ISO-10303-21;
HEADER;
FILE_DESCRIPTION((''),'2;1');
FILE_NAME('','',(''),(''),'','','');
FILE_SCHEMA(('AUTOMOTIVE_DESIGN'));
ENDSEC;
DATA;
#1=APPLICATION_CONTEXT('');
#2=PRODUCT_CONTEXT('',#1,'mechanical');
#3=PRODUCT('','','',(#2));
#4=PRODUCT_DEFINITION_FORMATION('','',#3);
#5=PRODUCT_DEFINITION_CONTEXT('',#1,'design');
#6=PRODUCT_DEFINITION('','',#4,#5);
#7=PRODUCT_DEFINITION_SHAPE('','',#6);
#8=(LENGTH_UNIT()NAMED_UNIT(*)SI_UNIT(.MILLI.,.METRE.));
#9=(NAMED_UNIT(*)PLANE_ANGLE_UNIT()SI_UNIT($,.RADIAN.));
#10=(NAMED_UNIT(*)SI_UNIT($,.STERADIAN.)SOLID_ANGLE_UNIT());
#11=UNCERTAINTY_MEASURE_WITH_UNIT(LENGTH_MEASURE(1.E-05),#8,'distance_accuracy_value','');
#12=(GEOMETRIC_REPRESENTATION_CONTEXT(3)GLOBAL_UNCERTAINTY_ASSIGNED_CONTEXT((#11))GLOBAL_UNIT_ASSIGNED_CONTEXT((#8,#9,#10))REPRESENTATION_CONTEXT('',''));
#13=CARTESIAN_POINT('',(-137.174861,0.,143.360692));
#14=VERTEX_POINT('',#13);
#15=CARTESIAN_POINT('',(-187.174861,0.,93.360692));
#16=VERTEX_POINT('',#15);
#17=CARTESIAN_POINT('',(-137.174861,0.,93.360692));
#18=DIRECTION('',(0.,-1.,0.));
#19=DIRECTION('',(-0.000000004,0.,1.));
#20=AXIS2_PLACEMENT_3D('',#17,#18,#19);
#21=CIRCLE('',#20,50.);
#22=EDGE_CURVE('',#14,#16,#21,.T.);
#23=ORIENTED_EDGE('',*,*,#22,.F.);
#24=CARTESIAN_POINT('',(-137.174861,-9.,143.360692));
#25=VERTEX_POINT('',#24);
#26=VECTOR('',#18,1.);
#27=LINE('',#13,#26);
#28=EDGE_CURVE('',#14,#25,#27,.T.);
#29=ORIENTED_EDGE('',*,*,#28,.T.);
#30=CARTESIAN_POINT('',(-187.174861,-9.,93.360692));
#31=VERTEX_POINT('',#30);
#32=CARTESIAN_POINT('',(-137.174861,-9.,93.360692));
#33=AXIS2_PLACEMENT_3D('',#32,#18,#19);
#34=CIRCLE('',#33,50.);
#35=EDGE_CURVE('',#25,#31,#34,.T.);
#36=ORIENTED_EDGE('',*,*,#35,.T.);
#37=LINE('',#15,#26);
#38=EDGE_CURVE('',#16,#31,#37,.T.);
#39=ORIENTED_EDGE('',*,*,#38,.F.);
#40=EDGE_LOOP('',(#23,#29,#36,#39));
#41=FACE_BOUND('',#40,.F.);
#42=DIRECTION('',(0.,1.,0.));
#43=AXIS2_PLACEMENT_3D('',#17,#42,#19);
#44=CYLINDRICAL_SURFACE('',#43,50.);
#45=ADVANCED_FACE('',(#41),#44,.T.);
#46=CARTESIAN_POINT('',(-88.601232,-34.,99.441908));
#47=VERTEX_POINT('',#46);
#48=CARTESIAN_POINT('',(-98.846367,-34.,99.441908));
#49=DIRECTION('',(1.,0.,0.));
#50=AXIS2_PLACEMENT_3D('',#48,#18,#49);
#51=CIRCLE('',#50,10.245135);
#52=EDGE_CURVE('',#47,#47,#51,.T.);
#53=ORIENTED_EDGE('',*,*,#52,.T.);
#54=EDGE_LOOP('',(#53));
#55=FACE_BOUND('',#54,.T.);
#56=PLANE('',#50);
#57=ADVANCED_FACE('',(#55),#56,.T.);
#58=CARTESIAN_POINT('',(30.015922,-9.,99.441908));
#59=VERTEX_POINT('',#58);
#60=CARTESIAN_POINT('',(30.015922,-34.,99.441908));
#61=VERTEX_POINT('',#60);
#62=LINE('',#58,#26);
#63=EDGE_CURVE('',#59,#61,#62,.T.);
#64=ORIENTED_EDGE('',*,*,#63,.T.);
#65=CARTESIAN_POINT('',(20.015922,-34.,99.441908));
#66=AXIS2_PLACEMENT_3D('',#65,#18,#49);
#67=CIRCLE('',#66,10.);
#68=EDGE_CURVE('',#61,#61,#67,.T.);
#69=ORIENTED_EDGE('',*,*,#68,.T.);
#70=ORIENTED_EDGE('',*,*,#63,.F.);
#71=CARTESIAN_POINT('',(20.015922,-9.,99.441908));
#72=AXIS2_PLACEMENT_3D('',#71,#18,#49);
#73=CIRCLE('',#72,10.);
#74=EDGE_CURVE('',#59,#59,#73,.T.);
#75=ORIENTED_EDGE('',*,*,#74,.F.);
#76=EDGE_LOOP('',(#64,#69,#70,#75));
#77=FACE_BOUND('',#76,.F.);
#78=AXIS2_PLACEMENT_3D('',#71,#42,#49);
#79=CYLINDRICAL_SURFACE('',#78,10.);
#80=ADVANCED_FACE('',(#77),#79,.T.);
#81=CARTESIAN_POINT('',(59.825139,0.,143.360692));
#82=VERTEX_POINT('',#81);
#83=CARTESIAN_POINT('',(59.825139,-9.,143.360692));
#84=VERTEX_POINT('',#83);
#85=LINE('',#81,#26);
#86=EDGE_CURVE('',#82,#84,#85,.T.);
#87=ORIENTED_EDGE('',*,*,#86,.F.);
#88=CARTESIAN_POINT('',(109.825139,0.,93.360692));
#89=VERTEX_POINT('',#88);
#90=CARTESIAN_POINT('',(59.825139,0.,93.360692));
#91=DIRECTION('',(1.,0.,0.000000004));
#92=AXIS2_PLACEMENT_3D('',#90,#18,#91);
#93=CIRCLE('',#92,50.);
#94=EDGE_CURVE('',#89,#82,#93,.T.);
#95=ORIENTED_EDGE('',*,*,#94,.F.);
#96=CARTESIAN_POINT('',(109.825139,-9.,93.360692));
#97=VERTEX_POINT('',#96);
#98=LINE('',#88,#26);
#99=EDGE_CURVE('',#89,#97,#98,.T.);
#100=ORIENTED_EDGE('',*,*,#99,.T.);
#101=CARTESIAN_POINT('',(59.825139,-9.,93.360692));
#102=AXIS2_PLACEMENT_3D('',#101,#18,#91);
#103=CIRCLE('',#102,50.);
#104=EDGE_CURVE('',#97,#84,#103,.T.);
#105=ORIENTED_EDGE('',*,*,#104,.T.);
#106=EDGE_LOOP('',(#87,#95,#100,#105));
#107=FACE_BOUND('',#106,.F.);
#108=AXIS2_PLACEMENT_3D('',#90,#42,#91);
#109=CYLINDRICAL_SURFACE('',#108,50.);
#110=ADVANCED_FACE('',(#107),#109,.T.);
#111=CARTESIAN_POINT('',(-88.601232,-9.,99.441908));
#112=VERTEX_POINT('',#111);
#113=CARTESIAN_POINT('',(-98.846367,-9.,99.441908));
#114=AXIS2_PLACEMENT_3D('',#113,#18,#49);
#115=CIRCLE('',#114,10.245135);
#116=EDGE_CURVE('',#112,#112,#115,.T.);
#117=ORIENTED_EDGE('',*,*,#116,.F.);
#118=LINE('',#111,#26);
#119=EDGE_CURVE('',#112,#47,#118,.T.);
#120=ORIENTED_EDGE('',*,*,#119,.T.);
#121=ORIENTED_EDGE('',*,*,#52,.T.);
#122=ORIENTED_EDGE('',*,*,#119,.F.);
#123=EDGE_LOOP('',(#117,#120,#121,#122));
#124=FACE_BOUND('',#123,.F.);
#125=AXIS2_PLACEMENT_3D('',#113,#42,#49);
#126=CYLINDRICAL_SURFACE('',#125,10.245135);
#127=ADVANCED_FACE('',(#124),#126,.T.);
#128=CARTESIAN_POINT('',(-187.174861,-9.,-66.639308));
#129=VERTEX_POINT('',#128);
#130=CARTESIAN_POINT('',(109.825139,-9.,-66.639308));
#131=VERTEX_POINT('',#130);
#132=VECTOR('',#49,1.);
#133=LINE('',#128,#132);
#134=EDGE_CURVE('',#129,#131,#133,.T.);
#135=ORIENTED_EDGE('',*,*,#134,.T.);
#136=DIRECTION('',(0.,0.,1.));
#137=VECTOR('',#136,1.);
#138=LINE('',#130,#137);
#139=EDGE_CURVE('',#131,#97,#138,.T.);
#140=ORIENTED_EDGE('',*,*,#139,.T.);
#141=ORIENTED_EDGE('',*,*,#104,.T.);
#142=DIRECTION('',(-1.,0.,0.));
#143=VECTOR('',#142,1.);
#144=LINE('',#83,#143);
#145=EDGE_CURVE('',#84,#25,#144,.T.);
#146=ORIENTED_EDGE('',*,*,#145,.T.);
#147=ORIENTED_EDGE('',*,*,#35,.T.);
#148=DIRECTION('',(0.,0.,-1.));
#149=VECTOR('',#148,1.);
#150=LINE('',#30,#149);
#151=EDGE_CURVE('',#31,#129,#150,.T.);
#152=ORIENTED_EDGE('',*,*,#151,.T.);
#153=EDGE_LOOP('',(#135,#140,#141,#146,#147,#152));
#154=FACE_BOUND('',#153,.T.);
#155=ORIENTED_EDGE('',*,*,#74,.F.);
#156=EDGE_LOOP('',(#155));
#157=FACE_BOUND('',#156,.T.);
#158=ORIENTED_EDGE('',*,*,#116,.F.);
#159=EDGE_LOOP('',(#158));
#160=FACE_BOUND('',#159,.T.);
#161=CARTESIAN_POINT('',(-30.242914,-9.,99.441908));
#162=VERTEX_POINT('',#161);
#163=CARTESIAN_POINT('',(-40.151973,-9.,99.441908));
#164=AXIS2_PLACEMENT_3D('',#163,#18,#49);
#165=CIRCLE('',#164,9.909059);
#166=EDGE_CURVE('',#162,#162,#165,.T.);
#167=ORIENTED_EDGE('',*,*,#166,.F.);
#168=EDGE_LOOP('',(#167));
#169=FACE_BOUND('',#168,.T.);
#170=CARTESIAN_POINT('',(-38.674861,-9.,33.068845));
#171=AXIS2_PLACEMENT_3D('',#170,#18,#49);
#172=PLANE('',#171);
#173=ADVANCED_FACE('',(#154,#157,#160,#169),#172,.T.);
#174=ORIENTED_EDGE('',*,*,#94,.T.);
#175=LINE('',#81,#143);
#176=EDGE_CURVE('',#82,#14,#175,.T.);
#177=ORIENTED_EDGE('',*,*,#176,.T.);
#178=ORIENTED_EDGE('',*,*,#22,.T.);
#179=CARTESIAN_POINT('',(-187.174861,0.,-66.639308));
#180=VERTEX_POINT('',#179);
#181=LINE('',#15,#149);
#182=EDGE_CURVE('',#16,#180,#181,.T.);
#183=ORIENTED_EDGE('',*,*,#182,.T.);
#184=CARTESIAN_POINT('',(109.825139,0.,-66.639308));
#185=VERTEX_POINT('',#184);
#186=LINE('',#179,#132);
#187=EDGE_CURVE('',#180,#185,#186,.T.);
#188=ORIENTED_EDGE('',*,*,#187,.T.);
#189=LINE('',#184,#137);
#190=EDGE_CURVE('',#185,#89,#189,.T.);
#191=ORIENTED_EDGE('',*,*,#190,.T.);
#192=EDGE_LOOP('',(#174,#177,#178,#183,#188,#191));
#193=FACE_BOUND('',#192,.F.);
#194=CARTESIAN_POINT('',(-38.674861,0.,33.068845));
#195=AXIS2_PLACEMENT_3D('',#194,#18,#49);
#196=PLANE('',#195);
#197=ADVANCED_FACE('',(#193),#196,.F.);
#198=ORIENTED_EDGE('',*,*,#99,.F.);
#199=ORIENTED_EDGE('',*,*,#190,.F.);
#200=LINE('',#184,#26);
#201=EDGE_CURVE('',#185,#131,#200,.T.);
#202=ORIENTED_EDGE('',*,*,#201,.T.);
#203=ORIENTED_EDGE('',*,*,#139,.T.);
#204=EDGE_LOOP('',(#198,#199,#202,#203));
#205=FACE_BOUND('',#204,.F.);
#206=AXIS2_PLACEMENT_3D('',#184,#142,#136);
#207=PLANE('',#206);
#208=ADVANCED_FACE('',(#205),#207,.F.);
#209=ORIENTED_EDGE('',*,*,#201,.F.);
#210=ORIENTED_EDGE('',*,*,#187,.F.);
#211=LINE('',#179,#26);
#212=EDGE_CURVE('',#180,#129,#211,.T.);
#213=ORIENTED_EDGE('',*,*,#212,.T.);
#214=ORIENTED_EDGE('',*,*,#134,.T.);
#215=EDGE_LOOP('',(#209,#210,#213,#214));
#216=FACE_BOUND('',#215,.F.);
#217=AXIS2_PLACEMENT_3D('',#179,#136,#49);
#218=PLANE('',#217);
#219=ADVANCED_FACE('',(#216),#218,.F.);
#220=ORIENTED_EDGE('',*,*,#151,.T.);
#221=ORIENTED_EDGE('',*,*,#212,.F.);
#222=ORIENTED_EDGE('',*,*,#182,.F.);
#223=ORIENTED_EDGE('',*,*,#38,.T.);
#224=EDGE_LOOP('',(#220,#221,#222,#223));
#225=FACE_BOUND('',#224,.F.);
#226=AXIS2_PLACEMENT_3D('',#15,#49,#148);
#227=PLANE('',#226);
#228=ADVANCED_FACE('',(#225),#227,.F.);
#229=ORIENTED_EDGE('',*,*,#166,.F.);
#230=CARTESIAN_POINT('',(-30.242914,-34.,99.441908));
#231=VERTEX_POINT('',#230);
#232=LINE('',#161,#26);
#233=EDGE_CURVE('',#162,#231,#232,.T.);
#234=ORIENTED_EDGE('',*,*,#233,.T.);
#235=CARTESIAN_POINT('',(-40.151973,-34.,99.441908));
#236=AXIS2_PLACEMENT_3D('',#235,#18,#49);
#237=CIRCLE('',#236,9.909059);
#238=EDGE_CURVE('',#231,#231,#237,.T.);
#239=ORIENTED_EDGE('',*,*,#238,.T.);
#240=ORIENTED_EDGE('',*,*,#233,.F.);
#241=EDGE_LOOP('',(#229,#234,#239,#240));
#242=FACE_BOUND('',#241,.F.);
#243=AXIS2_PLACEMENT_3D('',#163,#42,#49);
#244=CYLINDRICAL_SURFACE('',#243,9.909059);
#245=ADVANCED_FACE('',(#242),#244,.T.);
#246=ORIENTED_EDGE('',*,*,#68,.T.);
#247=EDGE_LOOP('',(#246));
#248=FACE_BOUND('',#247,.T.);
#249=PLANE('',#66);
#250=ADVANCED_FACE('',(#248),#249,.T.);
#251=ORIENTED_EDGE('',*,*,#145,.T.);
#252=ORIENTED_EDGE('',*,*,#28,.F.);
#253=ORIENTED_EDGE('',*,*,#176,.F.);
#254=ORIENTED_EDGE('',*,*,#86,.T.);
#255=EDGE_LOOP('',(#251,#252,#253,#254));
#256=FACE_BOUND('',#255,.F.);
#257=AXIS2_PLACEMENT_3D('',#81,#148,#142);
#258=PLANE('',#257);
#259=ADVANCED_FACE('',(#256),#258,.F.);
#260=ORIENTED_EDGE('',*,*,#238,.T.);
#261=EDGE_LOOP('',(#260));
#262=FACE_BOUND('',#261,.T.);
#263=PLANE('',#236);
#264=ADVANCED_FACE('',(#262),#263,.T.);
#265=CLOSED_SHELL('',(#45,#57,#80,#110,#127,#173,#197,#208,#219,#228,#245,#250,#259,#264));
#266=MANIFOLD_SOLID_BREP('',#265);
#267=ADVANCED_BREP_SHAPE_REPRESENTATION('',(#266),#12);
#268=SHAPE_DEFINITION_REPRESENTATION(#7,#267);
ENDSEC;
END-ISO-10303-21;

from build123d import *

# Parameters (mm, degrees)
F1_DEPTH = 9
F2_R     = 10.245135
F2_R_2   = 9.909059
F2_R_3   = 10
F3_DEPTH = 25


with BuildPart() as f1:
    # F0 (on Front) → F1 (new body)
    with BuildSketch(Plane.XZ):
        with BuildLine():
            Line((59.825139, 143.360692), (-137.174861, 143.360692))
            ThreePointArc((-137.174861, 143.360692), (-172.5302, 128.716031), (-187.174861, 93.360692))
            Line((-187.174861, 93.360692), (-187.174861, -66.639308))
            Line((-187.174861, -66.639308), (109.825139, -66.639308))
            Line((109.825139, -66.639308), (109.825139, 93.360692))
            ThreePointArc((109.825139, 93.360692), (95.180478, 128.716031), (59.825139, 143.360692))
        make_face()
    extrude(amount=F1_DEPTH)

    # F2 (on face) → F3 (join)
    with BuildSketch(Plane.XZ.offset(9)):
        with Locations((-98.846367, 99.441908)):
            Circle(F2_R)
        with Locations((-40.151973, 99.441908)):
            Circle(F2_R_2)
        with Locations((20.015922, 99.441908)):
            Circle(F2_R_3)
    extrude(amount=F3_DEPTH)


solid = f1.part
